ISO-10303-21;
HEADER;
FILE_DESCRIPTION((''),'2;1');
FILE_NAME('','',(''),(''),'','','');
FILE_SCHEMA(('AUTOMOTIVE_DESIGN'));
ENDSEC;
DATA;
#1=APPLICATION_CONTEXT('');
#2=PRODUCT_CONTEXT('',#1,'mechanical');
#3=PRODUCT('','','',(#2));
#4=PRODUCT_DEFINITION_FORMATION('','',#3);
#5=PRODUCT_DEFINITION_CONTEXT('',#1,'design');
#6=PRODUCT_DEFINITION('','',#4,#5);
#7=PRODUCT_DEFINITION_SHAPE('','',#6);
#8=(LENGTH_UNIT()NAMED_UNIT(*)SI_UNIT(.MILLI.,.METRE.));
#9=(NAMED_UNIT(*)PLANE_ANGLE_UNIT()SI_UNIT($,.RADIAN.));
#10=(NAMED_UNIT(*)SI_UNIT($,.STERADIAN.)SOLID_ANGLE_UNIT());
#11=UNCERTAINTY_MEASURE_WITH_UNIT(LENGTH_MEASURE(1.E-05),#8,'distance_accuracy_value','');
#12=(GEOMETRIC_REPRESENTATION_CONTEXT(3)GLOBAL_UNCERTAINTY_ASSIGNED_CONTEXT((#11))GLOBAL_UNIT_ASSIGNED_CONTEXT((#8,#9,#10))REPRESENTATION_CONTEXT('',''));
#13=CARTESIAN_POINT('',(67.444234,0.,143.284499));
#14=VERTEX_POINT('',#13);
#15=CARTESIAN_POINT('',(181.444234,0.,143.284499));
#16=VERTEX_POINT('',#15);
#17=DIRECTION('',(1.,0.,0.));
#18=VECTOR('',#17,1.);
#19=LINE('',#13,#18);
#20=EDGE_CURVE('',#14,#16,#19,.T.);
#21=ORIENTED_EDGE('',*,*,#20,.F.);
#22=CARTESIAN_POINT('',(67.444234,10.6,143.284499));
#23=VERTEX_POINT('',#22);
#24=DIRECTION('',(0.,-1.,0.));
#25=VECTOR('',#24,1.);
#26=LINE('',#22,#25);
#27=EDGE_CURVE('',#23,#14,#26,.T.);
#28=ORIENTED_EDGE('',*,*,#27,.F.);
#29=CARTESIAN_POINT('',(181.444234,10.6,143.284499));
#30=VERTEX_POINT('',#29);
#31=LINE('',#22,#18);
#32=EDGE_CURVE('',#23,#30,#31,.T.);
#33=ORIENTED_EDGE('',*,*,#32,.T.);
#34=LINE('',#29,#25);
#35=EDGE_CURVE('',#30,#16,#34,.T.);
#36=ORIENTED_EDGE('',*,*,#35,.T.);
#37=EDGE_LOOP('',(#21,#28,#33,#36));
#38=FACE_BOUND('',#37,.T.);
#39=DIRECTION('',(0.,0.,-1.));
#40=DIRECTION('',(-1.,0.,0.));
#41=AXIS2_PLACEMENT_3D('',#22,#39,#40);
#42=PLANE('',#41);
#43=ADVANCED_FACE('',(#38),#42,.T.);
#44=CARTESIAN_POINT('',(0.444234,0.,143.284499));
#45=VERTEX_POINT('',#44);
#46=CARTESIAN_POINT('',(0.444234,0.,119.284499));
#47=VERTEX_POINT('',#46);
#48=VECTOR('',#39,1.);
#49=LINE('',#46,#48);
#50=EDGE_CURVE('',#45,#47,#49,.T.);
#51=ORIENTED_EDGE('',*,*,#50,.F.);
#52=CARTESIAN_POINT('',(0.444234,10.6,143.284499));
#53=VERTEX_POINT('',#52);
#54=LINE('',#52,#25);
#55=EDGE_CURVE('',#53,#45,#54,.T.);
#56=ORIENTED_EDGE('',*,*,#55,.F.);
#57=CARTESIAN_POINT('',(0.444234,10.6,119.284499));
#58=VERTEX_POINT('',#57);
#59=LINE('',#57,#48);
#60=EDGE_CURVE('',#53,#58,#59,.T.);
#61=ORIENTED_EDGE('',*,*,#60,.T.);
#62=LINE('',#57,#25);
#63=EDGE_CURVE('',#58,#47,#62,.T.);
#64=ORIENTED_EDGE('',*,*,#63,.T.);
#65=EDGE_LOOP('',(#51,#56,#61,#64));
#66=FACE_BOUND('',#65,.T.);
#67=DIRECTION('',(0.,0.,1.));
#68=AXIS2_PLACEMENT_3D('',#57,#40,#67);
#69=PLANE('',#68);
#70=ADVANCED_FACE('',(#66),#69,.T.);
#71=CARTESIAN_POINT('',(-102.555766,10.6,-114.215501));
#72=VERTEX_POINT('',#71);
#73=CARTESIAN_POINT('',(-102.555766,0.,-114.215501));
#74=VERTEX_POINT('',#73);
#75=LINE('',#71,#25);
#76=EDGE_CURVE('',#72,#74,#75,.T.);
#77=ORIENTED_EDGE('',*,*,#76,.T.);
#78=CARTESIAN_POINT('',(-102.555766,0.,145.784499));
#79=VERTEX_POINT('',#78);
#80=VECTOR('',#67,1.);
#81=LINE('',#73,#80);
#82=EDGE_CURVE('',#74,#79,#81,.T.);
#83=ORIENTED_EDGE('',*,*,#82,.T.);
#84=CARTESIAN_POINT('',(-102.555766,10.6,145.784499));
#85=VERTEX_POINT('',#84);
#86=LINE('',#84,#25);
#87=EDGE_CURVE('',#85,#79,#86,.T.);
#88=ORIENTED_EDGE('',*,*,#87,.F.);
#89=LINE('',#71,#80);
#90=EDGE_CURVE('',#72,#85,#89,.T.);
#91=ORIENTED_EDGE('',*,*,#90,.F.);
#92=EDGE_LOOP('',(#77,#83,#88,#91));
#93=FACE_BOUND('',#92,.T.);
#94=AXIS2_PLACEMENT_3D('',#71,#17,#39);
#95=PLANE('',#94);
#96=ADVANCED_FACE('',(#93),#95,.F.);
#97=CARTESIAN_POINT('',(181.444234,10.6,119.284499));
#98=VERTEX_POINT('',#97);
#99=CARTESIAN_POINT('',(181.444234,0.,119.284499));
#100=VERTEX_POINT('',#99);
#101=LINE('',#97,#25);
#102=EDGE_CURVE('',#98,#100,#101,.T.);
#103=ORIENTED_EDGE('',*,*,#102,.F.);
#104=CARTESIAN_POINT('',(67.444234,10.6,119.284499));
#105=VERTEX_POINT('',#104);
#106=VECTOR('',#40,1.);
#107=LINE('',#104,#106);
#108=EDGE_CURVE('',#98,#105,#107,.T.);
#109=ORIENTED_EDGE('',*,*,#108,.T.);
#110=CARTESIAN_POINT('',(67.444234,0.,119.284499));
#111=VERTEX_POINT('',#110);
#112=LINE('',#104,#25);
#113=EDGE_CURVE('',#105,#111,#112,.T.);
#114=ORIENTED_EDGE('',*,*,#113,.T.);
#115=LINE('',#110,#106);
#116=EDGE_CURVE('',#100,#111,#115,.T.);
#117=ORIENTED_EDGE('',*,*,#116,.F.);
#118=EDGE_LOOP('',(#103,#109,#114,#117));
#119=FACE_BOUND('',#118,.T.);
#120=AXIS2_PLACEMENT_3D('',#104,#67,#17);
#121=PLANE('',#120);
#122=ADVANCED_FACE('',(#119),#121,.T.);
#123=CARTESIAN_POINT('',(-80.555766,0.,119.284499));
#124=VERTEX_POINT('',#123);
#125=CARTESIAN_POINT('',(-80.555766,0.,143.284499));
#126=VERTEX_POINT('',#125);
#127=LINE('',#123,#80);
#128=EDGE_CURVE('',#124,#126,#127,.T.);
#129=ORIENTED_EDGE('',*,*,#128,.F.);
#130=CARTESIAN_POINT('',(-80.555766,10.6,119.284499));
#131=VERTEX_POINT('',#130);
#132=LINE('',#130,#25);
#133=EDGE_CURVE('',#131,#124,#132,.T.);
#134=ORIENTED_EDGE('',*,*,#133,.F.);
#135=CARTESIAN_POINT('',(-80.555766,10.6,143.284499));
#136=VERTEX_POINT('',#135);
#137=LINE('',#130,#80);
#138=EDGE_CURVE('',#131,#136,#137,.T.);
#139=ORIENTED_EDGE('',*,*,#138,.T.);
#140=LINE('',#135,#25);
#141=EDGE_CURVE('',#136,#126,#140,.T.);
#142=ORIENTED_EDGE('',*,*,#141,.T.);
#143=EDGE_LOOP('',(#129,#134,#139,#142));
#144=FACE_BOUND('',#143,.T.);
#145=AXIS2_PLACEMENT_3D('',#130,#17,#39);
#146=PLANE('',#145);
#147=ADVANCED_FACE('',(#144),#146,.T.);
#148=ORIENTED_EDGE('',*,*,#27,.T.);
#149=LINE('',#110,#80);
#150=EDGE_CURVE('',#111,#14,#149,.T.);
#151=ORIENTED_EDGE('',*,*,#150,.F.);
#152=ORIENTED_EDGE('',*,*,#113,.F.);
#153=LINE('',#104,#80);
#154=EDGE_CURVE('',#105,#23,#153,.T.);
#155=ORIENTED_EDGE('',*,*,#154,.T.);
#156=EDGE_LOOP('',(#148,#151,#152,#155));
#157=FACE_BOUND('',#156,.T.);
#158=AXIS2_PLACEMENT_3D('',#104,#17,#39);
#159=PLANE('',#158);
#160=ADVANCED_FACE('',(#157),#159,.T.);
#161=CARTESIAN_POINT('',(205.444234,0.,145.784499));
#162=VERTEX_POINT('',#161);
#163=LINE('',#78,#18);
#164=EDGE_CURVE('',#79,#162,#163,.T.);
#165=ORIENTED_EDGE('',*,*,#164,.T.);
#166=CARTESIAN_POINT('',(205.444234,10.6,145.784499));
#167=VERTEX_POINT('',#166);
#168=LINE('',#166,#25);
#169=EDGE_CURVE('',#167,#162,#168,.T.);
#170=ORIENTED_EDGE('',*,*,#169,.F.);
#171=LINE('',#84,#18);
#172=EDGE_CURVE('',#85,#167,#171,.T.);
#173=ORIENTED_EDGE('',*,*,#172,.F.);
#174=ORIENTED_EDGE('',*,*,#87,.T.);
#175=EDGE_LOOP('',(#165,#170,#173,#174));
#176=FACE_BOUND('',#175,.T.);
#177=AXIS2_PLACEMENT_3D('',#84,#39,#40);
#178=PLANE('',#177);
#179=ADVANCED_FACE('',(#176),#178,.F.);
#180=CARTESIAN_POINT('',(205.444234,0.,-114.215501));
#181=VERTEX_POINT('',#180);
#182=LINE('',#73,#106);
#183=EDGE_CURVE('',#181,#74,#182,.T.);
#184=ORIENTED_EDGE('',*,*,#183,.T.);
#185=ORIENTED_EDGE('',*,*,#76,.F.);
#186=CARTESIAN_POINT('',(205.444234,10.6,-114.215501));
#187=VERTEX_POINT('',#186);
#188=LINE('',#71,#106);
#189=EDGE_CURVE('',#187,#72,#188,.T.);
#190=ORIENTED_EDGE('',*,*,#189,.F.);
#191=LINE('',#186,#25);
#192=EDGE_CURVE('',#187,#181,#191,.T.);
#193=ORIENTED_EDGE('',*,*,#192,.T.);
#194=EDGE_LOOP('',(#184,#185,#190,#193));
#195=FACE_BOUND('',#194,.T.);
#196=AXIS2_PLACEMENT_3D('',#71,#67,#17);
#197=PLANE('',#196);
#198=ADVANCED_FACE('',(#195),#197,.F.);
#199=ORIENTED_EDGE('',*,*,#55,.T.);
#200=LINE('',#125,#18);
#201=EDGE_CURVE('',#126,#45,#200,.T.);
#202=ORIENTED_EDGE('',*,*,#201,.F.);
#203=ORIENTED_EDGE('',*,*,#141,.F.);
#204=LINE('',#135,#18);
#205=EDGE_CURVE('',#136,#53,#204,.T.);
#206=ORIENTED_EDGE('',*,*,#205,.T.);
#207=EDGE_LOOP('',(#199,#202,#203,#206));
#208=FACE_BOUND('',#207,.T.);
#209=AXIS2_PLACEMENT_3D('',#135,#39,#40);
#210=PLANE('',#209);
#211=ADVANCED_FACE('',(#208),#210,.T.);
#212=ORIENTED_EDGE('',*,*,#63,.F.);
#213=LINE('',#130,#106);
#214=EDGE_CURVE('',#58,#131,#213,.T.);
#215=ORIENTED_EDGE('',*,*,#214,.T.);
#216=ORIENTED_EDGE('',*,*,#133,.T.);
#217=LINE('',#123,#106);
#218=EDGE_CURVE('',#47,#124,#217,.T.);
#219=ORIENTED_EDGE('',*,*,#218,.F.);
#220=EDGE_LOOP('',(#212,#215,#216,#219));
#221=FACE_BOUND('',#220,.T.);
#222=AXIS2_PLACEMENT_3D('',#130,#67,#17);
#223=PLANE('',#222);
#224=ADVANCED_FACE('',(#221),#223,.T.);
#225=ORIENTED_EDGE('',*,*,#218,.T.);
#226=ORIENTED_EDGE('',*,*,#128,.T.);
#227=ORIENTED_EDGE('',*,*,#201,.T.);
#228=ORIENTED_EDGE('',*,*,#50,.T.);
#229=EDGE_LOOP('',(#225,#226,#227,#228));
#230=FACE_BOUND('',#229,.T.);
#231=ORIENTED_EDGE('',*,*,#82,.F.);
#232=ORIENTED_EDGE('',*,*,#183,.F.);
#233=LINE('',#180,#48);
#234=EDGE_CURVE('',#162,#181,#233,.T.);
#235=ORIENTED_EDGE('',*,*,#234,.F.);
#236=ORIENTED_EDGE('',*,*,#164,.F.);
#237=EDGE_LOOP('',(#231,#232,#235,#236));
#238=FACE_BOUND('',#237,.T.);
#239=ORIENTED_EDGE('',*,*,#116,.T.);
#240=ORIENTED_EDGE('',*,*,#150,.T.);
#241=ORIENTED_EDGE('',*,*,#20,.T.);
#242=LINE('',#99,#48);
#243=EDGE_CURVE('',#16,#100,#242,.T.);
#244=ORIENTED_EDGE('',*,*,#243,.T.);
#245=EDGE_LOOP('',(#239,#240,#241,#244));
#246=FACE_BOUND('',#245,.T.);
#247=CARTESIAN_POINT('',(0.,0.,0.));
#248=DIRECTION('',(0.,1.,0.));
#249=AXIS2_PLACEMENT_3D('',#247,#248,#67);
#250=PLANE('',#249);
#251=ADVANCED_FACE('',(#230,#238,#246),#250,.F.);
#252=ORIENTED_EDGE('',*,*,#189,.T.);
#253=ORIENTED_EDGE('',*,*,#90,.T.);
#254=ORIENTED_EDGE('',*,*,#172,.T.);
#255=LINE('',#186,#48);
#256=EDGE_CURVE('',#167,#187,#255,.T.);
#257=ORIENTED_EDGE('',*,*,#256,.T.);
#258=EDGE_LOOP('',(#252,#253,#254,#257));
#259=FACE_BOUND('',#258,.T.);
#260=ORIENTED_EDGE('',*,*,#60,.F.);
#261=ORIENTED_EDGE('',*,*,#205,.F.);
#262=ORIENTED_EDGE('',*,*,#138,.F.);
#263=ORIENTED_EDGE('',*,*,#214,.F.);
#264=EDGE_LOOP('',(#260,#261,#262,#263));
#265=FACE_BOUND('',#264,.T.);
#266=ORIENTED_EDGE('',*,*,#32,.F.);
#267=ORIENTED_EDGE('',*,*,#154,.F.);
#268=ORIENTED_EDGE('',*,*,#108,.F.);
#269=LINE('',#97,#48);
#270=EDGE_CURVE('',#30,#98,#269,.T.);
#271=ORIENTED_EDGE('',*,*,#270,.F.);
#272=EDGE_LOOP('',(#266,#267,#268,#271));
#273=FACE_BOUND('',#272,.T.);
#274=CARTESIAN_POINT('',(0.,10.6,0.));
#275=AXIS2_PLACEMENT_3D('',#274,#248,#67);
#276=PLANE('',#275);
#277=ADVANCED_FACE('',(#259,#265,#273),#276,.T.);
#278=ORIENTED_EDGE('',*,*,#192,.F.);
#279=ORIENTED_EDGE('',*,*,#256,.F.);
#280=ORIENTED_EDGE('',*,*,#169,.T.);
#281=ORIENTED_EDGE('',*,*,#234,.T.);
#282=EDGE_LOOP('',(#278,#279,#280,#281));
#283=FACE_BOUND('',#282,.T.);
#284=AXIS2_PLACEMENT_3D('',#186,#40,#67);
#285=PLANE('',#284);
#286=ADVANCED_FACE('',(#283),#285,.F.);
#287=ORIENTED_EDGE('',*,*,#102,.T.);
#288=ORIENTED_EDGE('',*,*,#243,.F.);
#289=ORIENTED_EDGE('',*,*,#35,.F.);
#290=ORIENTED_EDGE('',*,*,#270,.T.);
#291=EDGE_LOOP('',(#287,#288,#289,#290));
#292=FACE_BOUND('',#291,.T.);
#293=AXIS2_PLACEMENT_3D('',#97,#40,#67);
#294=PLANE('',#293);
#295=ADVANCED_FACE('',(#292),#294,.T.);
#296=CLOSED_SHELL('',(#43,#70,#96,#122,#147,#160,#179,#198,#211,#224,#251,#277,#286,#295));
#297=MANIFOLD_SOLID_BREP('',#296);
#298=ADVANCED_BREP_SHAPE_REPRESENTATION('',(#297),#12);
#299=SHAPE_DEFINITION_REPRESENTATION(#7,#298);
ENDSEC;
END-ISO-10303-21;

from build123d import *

# Parameters (mm, degrees)
SKETCH_1_W          = 308
SKETCH_1_H          = 260
EXTRUDE_1_DEPTH     = 10.6
SKETCH_2_W          = 114
SKETCH_2_H          = 24
SKETCH_2_W_2        = 81
CUT_EXTRUDE_1_DEPTH = 10.6


with BuildPart() as part:
    # 草图1 → 凸台-拉伸1 (new body)
    with BuildSketch(Plane(origin=(0, 0, 0), x_dir=(1, 0, 0), z_dir=(0, 1, 0))):
        with Locations((51.444234405, -15.784499055)):
            Rectangle(SKETCH_1_W, SKETCH_1_H)
    extrude(amount=EXTRUDE_1_DEPTH)

    # 草图2 → 切除-拉伸1 (cut)
    with BuildSketch(Plane(origin=(0, 0, 0), x_dir=(1, 0, 0), z_dir=(0, 1, 0))):
        with Locations((124.444234405, -131.284499055)):
            Rectangle(SKETCH_2_W, SKETCH_2_H)
        with Locations((-40.055765595, -131.284499055)):
            Rectangle(SKETCH_2_W_2, SKETCH_2_H)
    extrude(amount=CUT_EXTRUDE_1_DEPTH, mode=Mode.SUBTRACT)


solid = part.part
